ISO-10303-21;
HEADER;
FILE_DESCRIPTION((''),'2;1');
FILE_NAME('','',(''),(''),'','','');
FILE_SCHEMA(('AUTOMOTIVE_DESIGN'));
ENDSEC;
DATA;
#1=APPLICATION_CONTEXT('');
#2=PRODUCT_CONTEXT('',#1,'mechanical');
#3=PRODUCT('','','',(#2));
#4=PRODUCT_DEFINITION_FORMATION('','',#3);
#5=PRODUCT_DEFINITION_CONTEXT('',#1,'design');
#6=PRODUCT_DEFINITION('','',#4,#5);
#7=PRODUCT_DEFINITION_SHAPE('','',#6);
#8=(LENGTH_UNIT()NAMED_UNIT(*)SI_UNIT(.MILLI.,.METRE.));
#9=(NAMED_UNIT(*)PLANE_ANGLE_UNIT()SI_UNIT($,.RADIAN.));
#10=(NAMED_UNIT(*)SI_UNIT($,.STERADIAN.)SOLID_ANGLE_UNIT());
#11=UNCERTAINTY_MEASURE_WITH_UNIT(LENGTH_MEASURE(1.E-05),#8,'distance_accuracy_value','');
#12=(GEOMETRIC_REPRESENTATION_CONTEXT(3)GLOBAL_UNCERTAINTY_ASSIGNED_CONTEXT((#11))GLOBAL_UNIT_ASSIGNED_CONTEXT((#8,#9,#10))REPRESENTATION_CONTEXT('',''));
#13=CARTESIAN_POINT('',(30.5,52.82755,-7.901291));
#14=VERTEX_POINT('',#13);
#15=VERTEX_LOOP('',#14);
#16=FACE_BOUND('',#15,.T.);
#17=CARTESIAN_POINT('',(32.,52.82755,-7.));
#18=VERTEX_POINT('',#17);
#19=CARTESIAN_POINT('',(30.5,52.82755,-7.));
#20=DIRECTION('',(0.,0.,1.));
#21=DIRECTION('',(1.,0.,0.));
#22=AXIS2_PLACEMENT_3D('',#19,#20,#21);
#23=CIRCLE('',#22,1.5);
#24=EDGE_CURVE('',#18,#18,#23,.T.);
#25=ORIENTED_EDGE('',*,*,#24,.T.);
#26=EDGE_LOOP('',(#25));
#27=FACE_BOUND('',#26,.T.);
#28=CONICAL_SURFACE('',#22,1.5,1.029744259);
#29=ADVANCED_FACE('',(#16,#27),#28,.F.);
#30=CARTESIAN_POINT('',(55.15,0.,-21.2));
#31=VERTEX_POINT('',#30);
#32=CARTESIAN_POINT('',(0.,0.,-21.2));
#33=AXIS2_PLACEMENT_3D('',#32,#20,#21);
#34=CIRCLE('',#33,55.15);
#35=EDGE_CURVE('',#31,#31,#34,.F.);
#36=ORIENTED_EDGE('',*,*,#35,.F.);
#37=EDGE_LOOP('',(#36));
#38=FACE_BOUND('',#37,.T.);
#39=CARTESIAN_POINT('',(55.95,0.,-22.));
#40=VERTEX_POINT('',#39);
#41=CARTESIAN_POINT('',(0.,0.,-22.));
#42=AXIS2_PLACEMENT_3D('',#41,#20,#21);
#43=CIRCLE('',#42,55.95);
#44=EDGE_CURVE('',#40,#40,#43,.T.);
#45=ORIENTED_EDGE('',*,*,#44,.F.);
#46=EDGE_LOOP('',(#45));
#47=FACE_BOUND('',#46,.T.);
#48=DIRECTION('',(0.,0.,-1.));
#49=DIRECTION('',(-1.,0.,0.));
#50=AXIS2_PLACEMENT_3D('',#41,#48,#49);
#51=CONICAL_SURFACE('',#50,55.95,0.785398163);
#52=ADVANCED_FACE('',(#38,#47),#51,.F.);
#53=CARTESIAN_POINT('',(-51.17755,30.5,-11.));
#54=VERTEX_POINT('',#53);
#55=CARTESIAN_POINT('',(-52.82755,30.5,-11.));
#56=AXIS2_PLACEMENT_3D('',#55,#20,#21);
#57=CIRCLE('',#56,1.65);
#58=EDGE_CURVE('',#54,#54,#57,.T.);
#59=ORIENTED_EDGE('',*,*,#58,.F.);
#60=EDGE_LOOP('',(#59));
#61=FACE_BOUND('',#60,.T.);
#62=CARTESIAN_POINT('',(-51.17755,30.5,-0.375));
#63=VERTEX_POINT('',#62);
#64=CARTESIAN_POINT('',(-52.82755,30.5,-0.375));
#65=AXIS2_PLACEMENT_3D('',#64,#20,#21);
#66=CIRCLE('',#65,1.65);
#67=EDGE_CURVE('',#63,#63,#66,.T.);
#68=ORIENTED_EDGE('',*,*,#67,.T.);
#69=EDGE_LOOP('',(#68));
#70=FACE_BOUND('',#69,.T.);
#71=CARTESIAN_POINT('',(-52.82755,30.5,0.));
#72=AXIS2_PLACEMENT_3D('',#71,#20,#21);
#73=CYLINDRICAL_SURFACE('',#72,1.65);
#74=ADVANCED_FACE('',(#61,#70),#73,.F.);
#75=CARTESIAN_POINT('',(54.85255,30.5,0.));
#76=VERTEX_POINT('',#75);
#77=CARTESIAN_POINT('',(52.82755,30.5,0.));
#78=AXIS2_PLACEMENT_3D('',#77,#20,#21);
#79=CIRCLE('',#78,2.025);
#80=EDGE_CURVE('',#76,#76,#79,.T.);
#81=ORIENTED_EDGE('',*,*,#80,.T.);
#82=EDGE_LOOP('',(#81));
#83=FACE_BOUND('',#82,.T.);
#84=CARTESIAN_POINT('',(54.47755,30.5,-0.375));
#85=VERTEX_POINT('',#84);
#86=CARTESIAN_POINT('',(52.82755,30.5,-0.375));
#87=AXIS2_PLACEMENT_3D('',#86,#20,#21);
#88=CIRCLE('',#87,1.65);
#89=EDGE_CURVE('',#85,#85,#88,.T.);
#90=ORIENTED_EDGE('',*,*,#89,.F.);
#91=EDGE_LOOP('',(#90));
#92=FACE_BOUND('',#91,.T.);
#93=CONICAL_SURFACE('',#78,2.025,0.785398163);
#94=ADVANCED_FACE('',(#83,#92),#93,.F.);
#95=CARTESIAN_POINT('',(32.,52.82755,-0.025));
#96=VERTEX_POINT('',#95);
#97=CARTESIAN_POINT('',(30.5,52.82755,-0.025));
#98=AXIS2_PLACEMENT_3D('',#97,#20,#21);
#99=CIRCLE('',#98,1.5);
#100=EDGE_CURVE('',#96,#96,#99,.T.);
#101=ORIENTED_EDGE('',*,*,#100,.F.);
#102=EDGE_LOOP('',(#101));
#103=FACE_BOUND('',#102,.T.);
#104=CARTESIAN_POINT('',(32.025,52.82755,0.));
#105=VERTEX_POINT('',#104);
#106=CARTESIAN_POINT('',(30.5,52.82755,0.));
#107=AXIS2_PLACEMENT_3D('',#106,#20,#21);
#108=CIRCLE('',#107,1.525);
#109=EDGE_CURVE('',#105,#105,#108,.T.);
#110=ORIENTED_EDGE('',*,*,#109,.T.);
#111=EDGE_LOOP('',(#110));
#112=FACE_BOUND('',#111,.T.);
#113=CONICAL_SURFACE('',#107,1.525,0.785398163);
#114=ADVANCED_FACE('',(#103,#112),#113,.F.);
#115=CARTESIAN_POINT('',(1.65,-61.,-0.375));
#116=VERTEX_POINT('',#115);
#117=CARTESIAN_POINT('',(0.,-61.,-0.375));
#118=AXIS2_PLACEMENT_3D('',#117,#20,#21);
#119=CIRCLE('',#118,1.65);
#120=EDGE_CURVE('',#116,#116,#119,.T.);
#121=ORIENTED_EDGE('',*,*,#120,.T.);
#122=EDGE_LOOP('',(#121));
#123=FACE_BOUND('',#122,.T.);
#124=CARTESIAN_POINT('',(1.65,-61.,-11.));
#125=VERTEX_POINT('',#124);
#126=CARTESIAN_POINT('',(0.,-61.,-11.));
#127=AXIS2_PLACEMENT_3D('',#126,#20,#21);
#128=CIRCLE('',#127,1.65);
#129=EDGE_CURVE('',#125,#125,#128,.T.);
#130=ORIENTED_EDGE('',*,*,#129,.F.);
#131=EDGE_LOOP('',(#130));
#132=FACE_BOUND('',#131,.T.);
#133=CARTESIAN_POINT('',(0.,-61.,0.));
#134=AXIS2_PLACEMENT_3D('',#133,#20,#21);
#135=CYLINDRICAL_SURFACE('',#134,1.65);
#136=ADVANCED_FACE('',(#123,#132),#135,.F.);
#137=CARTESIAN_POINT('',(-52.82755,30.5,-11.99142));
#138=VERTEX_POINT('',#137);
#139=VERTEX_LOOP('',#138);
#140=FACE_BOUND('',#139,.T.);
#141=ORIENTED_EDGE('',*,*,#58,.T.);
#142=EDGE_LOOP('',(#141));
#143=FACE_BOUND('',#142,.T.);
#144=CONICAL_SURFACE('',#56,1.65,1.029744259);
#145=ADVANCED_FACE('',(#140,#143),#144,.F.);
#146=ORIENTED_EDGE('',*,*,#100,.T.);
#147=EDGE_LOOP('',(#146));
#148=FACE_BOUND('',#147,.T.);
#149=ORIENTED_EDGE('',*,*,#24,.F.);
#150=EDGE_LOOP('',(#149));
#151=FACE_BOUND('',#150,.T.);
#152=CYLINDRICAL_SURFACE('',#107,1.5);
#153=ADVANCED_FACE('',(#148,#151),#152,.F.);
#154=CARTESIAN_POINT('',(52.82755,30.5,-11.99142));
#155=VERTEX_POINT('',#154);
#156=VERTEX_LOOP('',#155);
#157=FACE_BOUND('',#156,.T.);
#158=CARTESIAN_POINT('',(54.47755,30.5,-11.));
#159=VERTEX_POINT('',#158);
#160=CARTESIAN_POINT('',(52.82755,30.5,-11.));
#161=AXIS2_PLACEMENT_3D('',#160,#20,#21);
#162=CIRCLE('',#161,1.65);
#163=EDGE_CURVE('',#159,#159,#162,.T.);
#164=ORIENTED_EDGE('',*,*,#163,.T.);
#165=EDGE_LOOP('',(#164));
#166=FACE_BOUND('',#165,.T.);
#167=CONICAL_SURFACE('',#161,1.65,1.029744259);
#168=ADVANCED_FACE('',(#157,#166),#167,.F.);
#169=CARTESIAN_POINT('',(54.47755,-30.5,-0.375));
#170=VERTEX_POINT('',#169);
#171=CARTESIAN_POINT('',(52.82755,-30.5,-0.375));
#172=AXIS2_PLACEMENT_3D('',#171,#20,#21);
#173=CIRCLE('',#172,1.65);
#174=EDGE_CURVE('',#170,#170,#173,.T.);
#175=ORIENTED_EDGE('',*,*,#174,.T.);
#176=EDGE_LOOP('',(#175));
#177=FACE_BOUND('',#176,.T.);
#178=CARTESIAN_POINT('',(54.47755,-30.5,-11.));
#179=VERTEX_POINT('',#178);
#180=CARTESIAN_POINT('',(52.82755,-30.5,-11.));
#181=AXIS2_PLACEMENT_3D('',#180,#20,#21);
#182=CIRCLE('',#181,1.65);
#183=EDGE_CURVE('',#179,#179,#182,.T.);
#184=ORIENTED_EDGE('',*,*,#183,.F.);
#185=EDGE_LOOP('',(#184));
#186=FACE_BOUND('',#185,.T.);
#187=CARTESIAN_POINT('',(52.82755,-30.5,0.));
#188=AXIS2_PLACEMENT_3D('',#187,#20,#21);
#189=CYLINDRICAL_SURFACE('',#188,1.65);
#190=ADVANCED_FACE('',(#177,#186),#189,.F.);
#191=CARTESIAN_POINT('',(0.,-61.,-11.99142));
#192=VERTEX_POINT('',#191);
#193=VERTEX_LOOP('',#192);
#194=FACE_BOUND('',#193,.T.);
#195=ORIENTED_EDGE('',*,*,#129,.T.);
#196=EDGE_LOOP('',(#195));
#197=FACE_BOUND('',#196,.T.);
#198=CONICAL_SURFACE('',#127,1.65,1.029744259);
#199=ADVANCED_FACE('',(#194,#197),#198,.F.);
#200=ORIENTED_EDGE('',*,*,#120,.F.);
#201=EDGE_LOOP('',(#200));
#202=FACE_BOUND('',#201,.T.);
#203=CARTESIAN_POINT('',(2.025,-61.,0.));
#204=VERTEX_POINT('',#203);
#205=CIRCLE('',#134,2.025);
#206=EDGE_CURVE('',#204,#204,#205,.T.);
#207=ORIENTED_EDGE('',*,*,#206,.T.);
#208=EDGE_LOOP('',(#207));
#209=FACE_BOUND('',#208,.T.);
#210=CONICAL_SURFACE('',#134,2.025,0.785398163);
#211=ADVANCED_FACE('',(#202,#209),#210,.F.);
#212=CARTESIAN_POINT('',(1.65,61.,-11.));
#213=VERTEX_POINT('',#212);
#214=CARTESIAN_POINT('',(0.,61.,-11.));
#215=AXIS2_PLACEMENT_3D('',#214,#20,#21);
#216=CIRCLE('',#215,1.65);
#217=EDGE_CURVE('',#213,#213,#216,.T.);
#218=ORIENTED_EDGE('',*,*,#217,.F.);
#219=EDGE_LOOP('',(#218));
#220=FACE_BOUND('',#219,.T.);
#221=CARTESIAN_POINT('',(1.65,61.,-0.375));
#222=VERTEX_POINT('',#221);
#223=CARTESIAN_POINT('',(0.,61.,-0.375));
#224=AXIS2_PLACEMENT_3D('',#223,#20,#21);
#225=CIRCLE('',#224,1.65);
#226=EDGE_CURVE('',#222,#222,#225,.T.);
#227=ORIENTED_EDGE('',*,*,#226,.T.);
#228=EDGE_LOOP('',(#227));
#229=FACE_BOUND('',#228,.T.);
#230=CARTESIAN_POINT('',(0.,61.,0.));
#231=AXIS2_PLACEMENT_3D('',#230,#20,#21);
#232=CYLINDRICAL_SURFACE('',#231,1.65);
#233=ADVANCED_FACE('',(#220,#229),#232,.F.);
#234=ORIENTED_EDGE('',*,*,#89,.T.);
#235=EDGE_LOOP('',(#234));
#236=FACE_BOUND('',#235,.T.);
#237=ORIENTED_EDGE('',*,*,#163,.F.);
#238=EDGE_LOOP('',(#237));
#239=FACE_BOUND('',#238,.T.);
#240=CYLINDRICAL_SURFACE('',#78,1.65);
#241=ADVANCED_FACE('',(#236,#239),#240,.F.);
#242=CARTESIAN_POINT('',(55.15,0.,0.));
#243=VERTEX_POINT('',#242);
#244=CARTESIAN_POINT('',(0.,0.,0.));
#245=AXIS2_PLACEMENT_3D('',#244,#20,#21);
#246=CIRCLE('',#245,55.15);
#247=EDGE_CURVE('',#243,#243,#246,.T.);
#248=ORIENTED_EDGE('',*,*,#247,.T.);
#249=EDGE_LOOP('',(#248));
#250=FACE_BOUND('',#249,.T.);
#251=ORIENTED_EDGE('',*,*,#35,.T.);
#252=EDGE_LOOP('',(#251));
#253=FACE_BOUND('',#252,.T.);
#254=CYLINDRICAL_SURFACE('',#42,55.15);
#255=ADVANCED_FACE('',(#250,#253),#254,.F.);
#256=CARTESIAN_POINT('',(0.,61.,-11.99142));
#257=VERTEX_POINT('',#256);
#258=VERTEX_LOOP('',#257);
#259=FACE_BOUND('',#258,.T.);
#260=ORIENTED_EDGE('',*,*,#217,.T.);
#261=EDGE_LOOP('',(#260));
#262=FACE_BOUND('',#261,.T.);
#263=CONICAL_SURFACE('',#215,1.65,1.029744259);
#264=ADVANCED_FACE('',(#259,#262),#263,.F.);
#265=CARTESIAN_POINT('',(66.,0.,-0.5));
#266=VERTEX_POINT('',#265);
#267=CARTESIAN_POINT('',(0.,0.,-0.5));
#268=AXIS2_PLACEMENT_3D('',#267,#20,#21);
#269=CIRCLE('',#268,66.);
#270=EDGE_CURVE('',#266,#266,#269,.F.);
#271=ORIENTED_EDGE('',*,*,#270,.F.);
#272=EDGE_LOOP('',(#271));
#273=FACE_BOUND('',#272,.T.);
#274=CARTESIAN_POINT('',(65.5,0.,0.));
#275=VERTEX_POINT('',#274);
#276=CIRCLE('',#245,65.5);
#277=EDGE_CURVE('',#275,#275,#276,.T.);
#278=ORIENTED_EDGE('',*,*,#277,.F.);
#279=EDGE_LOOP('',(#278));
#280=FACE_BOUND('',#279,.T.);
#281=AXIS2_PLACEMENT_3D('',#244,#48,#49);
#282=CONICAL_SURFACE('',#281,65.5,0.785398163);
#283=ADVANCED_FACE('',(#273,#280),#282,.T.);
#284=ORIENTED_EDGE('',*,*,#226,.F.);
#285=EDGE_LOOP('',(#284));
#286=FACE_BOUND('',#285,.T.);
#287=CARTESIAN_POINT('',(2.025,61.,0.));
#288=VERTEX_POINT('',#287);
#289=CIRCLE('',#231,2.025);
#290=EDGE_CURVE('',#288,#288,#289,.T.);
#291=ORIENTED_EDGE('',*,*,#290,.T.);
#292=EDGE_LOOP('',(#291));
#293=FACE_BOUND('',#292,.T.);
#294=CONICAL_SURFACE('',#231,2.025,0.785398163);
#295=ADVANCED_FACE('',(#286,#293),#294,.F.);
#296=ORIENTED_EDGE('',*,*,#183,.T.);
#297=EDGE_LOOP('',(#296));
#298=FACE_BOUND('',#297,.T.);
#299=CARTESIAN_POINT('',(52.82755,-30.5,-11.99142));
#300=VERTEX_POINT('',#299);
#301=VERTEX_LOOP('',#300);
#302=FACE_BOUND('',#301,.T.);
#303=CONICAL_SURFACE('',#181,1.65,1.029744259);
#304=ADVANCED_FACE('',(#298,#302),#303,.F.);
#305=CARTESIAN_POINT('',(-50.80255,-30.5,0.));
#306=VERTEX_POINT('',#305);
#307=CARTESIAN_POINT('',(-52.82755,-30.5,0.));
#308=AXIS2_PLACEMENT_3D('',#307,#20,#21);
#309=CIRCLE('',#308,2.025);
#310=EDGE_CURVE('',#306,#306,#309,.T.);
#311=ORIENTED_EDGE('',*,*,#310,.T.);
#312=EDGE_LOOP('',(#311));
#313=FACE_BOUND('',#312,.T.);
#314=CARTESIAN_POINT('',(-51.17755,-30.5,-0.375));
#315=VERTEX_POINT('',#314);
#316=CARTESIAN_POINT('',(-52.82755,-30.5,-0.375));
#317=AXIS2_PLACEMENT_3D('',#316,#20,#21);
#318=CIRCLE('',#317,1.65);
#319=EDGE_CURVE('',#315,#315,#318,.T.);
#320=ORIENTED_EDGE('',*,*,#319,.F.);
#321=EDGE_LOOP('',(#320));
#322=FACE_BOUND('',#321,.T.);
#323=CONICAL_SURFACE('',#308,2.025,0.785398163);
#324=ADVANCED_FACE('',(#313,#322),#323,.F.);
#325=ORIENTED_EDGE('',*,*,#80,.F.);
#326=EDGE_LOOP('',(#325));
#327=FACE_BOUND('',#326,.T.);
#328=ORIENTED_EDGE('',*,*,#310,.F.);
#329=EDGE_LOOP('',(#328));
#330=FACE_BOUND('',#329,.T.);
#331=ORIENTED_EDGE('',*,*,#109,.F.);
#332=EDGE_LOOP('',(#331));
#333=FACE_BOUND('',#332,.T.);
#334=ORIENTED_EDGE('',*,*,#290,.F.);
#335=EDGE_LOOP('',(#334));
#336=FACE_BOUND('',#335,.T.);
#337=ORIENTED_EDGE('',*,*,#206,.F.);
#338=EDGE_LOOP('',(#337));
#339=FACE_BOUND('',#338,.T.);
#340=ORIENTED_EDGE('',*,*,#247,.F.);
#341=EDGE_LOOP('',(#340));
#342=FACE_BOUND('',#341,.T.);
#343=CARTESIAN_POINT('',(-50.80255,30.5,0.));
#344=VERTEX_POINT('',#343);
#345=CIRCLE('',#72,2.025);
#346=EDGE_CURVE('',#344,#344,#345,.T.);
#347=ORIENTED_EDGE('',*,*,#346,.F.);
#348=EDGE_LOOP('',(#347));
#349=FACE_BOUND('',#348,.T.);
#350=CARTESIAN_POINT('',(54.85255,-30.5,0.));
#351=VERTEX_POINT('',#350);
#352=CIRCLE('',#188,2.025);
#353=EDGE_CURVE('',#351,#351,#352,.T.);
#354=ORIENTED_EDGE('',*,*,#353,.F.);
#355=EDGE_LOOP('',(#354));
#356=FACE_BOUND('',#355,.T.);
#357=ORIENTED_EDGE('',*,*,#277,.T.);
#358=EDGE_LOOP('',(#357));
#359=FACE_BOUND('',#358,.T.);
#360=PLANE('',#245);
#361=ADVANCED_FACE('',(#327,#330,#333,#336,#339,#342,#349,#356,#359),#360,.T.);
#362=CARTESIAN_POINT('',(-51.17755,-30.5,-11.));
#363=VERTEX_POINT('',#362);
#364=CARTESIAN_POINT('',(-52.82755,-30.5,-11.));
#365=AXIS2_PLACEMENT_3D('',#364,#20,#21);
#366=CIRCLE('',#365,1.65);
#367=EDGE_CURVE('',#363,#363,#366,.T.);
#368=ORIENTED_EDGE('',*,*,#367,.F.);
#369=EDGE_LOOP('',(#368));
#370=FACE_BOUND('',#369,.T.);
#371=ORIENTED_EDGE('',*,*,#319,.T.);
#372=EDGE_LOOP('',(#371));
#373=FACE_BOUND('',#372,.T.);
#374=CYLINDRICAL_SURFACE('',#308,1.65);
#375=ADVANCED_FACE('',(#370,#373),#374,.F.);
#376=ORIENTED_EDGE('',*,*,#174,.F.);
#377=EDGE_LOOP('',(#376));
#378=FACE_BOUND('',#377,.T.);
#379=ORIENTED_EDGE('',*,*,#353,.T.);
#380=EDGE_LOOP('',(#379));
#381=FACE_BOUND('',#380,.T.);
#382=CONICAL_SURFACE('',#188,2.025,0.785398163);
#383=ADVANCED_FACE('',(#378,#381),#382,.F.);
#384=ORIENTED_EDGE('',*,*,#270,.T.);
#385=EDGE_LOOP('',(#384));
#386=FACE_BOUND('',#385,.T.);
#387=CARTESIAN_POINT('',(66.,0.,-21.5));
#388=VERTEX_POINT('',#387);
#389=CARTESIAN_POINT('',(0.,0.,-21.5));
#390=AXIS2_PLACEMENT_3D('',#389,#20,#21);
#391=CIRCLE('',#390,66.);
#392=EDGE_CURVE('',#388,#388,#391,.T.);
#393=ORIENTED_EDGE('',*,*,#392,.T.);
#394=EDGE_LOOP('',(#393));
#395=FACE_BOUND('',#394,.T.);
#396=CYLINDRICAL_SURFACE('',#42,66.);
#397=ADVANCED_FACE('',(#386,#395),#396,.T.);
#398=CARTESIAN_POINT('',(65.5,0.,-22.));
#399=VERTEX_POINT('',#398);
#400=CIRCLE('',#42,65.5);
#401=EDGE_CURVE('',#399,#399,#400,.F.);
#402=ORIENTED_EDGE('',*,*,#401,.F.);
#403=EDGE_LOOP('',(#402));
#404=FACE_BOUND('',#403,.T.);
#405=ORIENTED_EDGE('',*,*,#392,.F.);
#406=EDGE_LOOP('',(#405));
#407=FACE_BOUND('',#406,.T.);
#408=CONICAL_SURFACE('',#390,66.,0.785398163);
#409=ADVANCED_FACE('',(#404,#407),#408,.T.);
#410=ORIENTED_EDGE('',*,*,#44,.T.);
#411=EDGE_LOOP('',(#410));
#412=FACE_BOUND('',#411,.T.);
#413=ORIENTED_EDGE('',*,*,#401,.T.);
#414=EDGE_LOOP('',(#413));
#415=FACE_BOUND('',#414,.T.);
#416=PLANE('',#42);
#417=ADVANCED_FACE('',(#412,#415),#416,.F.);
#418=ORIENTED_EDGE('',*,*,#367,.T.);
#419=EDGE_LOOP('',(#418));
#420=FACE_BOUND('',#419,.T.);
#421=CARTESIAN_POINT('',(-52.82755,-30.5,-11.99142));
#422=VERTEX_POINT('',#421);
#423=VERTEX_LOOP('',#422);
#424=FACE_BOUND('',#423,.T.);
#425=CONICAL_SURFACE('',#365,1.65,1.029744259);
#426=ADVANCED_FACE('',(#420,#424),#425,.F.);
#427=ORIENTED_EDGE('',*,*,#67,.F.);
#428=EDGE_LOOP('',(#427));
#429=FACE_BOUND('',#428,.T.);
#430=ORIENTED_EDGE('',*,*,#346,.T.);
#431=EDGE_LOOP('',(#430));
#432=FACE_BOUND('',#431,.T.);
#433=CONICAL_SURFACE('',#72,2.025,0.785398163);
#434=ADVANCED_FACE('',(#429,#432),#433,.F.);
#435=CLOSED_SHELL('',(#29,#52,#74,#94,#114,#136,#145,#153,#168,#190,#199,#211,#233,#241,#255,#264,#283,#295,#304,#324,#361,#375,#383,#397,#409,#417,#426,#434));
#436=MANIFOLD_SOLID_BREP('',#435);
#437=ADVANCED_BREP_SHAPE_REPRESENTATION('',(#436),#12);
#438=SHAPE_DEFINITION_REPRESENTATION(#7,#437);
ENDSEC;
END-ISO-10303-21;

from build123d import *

# Parameters (mm, degrees)
SKETCH1_R                       = 66
SKETCH1_R_2                     = 55.15
COLLAR_BODY_DEPTH               = 22
M4PATTERN_COUNT                 = 6
F_3_0MM_DOWEL_HOLE5_D           = 3
F_3_0MM_DOWEL_HOLE5_DEPTH       = 7
F_3_0MM_DOWEL_HOLE5_CSINK_D     = 3.05
F_3_0MM_DOWEL_HOLE5_CSINK_ANGLE = 90
F_3_0MM_DOWEL_HOLE5_TIP         = 0.901290929
CHAMFER1_SIZE                   = 0.5
CHAMFER2_SIZE                   = 0.8


with BuildPart() as part:
    # Sketch1 → Collar_Body (new body)
    with BuildSketch(Plane.XY):
        Circle(SKETCH1_R)
        Circle(SKETCH1_R_2, mode=Mode.SUBTRACT)
    extrude(amount=-COLLAR_BODY_DEPTH)

    # Sketch5 → M4x0.7 Bottoming Tapped Hole1 (revolve, cut)
    with BuildSketch(Plane(origin=(0, 61, 0), x_dir=(0, -1, 0), z_dir=(1, 0, 0))):
        Polygon((0, 0), (0, 11.991420021), (1.65, 11), (1.65, 0.375), (2.025, 0), align=None)
    m4x0_7_bottoming_tapped_hole1 = revolve(axis=Axis((0, 61, 6.35), (0, 0, -1)), mode=Mode.SUBTRACT)

    # M4pattern: M4x0.7 Bottoming Tapped Hole1 ×6 about axis
    m4pattern_axis = Axis((0, 0, 0), (0, 0, 1))
    for i in range(1, M4PATTERN_COUNT):
        add(m4x0_7_bottoming_tapped_hole1.rotate(m4pattern_axis, i * 360 / M4PATTERN_COUNT), mode=Mode.SUBTRACT)

    # Ø3.0mm Dowel Hole5
    with Locations(Plane.XY):
        with Locations((30.5, 52.827549631)):
            CounterSinkHole(F_3_0MM_DOWEL_HOLE5_D / 2, F_3_0MM_DOWEL_HOLE5_CSINK_D / 2, depth=F_3_0MM_DOWEL_HOLE5_DEPTH, counter_sink_angle=F_3_0MM_DOWEL_HOLE5_CSINK_ANGLE)
            with Locations((0, 0, -(F_3_0MM_DOWEL_HOLE5_DEPTH + F_3_0MM_DOWEL_HOLE5_TIP / 2))):  # 118° drill point
                Cone(0, F_3_0MM_DOWEL_HOLE5_D / 2, F_3_0MM_DOWEL_HOLE5_TIP, mode=Mode.SUBTRACT)

    # Chamfer1
    chamfer1_edges = [part.edges().sort_by_distance(p)[0] for p in [
        (-66, 0, 0),
        (-66, 0, -22),
    ]]
    chamfer(chamfer1_edges, length=CHAMFER1_SIZE)

    # Chamfer2
    chamfer2_edges = [part.edges().sort_by_distance(p)[0] for p in [
        (-55.15, 0, -22),
    ]]
    chamfer(chamfer2_edges, length=CHAMFER2_SIZE)


solid = part.part
